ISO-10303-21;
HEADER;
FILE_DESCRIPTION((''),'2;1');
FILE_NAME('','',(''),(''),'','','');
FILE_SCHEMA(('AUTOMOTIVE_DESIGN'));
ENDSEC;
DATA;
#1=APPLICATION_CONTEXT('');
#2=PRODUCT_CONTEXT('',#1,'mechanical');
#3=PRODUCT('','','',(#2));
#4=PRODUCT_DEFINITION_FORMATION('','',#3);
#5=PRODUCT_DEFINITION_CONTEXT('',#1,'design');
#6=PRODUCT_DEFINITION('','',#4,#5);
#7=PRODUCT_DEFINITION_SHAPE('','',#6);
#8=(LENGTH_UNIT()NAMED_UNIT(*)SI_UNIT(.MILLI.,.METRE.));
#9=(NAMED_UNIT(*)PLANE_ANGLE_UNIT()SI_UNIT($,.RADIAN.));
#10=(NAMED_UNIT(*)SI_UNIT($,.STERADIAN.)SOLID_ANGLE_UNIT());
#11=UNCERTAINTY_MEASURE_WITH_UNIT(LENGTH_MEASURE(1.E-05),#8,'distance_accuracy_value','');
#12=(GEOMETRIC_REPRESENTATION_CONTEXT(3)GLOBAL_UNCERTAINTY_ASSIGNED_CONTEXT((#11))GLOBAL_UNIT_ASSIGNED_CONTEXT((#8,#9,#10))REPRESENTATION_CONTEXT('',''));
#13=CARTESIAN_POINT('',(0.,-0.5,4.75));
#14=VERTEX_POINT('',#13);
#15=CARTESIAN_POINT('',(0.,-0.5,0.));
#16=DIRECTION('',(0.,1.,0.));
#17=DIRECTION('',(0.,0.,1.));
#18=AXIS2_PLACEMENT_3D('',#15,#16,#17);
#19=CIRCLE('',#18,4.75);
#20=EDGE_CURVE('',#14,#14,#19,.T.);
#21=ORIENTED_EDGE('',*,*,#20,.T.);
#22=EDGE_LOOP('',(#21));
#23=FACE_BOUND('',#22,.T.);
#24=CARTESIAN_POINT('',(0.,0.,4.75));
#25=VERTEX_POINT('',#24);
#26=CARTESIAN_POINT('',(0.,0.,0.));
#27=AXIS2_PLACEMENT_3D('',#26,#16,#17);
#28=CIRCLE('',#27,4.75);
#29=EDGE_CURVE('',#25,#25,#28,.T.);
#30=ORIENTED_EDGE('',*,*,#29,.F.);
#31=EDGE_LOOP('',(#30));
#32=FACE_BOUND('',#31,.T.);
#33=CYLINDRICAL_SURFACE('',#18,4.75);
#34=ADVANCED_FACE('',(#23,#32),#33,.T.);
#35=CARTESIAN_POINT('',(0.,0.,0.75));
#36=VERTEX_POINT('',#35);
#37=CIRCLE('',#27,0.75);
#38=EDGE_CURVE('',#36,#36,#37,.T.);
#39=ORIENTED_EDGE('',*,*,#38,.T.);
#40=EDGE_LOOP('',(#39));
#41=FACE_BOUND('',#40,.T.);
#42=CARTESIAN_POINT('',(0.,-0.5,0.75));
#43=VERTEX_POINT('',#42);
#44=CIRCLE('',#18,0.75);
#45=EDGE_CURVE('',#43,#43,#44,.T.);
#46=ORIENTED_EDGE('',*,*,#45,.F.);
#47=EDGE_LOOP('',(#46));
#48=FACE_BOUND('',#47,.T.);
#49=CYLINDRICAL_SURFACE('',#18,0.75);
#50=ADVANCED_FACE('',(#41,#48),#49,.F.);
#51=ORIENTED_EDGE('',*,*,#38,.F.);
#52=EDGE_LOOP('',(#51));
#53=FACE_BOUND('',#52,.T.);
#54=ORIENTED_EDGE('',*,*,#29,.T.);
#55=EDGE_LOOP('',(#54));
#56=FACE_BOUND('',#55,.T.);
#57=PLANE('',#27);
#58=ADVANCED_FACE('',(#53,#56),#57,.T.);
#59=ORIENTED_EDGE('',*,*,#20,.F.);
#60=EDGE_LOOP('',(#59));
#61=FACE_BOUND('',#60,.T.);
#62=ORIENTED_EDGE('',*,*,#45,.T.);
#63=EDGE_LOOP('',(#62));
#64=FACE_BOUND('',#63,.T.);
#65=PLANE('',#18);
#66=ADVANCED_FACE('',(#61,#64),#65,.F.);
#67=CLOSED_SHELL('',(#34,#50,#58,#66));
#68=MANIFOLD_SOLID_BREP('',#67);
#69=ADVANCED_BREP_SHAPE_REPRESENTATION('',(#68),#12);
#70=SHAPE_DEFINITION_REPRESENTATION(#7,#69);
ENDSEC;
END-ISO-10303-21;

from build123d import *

# Parameters (mm, degrees)
SKETCH2_R           = 4.75
SKETCH2_R_2         = 0.75
BOSS_EXTRUDE1_DEPTH = 0.5


with BuildPart() as part:
    # Sketch2 → Boss-Extrude1 (new body)
    with BuildSketch(Plane(origin=(0, 0, 0), x_dir=(1, 0, 0), z_dir=(0, 1, 0))):
        with Locations(Location((0, 0, 0), (0, 0, 270))):
            Circle(SKETCH2_R)
        with Locations(Location((0, 0, 0), (0, 0, 270))):
            Circle(SKETCH2_R_2, mode=Mode.SUBTRACT)
    extrude(amount=-BOSS_EXTRUDE1_DEPTH)


solid = part.part
